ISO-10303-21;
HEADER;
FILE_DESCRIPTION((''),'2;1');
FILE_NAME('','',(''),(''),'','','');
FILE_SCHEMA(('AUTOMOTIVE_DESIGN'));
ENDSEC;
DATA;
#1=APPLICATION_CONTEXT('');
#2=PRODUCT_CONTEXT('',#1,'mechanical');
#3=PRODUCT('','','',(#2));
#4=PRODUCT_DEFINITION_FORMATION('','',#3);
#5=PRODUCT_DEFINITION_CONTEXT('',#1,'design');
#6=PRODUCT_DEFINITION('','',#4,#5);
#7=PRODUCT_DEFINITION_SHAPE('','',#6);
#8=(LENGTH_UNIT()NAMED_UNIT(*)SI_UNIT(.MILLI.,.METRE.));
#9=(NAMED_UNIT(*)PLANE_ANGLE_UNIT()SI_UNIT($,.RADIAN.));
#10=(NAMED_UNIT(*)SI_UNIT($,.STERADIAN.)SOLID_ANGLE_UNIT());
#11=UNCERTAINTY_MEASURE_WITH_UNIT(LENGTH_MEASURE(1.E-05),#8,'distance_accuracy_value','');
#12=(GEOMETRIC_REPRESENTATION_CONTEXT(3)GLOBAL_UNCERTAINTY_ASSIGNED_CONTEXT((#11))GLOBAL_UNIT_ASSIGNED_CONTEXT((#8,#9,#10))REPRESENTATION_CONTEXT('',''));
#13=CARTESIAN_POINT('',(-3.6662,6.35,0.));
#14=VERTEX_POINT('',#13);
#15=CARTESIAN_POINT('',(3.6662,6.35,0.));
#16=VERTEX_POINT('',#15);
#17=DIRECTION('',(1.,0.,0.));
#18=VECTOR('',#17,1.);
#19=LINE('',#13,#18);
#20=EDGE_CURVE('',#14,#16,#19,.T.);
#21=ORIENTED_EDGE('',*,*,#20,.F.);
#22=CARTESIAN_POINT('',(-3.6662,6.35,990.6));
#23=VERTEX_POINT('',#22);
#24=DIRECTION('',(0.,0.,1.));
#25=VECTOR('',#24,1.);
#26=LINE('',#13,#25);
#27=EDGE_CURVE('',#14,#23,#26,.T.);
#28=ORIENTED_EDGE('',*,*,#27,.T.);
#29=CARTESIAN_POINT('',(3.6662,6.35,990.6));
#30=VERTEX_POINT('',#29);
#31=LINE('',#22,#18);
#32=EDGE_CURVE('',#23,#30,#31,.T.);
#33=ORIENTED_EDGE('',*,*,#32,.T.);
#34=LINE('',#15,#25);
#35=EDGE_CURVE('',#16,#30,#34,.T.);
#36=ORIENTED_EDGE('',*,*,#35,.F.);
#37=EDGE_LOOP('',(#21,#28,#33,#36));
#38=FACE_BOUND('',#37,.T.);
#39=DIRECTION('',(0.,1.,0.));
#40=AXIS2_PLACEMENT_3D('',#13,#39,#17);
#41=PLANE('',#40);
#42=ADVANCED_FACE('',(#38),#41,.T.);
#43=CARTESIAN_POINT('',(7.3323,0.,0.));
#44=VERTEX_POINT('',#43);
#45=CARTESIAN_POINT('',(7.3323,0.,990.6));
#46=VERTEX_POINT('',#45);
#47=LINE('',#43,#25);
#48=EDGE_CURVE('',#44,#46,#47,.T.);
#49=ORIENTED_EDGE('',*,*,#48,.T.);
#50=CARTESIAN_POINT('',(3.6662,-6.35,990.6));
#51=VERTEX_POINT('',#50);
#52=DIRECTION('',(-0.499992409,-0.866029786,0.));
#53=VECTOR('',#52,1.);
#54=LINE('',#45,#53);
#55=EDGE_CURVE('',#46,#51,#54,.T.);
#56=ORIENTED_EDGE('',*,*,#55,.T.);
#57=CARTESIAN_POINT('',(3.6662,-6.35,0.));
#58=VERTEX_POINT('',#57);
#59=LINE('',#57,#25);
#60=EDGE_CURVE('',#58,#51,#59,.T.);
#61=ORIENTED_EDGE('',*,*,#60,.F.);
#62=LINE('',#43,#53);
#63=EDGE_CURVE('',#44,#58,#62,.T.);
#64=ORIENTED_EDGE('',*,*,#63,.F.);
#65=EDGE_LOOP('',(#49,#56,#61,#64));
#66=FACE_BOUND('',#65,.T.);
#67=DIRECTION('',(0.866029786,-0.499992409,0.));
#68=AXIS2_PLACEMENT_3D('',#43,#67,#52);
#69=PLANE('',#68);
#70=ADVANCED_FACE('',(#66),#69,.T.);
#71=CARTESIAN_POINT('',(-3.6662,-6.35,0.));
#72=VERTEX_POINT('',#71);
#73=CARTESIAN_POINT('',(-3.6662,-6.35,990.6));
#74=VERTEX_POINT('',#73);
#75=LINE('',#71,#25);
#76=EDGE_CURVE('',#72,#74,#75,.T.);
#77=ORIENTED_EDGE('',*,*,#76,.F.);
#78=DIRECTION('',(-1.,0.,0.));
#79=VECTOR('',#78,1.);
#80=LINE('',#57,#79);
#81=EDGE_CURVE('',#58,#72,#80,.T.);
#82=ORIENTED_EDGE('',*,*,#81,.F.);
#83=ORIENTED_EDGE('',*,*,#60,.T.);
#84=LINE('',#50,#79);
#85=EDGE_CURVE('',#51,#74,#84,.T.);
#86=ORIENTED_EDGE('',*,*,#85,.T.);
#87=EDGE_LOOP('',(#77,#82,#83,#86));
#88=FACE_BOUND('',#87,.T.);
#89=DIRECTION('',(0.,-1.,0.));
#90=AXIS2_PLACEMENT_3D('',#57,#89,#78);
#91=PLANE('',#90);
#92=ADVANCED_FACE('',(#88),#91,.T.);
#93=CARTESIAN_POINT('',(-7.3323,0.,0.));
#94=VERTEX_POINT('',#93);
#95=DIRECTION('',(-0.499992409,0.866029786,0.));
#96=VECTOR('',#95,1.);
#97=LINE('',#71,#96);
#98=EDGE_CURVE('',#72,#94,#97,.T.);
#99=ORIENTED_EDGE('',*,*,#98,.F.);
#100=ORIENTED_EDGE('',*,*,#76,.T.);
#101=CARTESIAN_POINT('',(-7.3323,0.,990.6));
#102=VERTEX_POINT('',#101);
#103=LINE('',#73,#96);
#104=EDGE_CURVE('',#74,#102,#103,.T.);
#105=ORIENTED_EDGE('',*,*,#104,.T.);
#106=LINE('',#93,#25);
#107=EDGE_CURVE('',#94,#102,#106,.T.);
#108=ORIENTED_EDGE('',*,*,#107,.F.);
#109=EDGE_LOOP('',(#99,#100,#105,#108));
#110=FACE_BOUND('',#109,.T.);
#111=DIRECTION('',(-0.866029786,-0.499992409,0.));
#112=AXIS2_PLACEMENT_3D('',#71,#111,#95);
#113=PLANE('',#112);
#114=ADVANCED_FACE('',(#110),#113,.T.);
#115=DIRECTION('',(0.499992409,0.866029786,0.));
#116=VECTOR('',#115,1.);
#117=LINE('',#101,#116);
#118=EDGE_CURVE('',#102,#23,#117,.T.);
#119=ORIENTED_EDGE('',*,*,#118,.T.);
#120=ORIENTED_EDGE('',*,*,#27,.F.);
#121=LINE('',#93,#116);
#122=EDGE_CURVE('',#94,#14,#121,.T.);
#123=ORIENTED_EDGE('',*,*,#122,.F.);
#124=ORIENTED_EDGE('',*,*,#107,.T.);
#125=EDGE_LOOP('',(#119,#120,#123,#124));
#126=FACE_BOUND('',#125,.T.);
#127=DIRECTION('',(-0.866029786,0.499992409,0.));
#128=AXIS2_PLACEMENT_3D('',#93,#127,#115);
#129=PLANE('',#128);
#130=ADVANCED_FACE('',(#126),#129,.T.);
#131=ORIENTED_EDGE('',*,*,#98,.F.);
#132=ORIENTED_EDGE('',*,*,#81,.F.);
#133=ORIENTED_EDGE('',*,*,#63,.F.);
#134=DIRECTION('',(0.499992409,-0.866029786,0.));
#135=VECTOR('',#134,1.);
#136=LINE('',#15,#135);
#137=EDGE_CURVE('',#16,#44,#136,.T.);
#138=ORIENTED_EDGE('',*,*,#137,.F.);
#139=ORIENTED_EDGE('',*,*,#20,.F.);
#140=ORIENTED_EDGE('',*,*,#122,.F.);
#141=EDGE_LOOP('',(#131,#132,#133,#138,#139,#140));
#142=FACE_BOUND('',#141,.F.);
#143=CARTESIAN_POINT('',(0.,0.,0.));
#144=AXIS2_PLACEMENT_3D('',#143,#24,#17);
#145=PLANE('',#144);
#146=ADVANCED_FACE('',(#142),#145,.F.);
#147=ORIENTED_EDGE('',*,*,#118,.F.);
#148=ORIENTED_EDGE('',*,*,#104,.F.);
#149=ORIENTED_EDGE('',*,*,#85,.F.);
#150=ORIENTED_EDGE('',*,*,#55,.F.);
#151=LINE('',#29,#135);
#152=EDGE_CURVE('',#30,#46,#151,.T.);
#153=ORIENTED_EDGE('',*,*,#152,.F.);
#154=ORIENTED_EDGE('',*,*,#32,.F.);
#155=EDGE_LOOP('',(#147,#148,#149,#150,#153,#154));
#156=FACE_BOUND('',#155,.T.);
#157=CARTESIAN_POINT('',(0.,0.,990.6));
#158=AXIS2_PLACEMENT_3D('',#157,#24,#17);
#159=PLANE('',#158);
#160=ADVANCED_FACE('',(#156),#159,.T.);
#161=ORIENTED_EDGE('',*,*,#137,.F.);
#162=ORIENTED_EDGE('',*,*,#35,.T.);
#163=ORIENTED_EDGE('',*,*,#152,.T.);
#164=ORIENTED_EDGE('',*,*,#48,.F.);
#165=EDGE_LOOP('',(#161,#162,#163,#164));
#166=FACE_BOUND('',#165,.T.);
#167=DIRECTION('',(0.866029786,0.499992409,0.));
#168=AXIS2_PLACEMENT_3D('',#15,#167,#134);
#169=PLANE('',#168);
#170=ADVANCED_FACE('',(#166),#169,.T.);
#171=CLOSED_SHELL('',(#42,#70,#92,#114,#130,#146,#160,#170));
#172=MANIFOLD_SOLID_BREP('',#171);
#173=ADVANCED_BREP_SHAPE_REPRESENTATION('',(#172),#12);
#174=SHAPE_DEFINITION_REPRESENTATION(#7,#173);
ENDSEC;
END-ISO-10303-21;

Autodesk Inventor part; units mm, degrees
ref_plane "YZ Plane" through (0, 0, 0) normal (1, 0, 0) x (0, 1, 0)
ref_plane "XZ Plane" through (0, 0, 0) normal (0, 1, 0) x (-1, 0, 0)
ref_plane "XY Plane" through (0, 0, 0) normal (0, 0, 1) x (1, 0, 0)
sketch "Sketch1" plane through (0, 0, 0) normal (0, 0, 1) x (1, 0, 0)
  line L0 (3.6662, 6.35) -> (7.3323, 0)
  line L1 (7.3323, 0) -> (3.6662, -6.35)
  line L2 (3.6662, -6.35) -> (-3.6662, -6.35)
  line L3 (-3.6662, -6.35) -> (-7.3323, 0)
  line L4 (-7.3323, 0) -> (-3.6662, 6.35)
  line L5 (-3.6662, 6.35) -> (3.6662, 6.35)
  point P0 (0, 0)
  point P1 (0, 0)
  dimension "d0" = 12.7
extrude "Extrusion1" add sketch "Sketch1" along normal blind 990.6
properties part number "hex rod 39 inch" material "Steel, Alloy"
